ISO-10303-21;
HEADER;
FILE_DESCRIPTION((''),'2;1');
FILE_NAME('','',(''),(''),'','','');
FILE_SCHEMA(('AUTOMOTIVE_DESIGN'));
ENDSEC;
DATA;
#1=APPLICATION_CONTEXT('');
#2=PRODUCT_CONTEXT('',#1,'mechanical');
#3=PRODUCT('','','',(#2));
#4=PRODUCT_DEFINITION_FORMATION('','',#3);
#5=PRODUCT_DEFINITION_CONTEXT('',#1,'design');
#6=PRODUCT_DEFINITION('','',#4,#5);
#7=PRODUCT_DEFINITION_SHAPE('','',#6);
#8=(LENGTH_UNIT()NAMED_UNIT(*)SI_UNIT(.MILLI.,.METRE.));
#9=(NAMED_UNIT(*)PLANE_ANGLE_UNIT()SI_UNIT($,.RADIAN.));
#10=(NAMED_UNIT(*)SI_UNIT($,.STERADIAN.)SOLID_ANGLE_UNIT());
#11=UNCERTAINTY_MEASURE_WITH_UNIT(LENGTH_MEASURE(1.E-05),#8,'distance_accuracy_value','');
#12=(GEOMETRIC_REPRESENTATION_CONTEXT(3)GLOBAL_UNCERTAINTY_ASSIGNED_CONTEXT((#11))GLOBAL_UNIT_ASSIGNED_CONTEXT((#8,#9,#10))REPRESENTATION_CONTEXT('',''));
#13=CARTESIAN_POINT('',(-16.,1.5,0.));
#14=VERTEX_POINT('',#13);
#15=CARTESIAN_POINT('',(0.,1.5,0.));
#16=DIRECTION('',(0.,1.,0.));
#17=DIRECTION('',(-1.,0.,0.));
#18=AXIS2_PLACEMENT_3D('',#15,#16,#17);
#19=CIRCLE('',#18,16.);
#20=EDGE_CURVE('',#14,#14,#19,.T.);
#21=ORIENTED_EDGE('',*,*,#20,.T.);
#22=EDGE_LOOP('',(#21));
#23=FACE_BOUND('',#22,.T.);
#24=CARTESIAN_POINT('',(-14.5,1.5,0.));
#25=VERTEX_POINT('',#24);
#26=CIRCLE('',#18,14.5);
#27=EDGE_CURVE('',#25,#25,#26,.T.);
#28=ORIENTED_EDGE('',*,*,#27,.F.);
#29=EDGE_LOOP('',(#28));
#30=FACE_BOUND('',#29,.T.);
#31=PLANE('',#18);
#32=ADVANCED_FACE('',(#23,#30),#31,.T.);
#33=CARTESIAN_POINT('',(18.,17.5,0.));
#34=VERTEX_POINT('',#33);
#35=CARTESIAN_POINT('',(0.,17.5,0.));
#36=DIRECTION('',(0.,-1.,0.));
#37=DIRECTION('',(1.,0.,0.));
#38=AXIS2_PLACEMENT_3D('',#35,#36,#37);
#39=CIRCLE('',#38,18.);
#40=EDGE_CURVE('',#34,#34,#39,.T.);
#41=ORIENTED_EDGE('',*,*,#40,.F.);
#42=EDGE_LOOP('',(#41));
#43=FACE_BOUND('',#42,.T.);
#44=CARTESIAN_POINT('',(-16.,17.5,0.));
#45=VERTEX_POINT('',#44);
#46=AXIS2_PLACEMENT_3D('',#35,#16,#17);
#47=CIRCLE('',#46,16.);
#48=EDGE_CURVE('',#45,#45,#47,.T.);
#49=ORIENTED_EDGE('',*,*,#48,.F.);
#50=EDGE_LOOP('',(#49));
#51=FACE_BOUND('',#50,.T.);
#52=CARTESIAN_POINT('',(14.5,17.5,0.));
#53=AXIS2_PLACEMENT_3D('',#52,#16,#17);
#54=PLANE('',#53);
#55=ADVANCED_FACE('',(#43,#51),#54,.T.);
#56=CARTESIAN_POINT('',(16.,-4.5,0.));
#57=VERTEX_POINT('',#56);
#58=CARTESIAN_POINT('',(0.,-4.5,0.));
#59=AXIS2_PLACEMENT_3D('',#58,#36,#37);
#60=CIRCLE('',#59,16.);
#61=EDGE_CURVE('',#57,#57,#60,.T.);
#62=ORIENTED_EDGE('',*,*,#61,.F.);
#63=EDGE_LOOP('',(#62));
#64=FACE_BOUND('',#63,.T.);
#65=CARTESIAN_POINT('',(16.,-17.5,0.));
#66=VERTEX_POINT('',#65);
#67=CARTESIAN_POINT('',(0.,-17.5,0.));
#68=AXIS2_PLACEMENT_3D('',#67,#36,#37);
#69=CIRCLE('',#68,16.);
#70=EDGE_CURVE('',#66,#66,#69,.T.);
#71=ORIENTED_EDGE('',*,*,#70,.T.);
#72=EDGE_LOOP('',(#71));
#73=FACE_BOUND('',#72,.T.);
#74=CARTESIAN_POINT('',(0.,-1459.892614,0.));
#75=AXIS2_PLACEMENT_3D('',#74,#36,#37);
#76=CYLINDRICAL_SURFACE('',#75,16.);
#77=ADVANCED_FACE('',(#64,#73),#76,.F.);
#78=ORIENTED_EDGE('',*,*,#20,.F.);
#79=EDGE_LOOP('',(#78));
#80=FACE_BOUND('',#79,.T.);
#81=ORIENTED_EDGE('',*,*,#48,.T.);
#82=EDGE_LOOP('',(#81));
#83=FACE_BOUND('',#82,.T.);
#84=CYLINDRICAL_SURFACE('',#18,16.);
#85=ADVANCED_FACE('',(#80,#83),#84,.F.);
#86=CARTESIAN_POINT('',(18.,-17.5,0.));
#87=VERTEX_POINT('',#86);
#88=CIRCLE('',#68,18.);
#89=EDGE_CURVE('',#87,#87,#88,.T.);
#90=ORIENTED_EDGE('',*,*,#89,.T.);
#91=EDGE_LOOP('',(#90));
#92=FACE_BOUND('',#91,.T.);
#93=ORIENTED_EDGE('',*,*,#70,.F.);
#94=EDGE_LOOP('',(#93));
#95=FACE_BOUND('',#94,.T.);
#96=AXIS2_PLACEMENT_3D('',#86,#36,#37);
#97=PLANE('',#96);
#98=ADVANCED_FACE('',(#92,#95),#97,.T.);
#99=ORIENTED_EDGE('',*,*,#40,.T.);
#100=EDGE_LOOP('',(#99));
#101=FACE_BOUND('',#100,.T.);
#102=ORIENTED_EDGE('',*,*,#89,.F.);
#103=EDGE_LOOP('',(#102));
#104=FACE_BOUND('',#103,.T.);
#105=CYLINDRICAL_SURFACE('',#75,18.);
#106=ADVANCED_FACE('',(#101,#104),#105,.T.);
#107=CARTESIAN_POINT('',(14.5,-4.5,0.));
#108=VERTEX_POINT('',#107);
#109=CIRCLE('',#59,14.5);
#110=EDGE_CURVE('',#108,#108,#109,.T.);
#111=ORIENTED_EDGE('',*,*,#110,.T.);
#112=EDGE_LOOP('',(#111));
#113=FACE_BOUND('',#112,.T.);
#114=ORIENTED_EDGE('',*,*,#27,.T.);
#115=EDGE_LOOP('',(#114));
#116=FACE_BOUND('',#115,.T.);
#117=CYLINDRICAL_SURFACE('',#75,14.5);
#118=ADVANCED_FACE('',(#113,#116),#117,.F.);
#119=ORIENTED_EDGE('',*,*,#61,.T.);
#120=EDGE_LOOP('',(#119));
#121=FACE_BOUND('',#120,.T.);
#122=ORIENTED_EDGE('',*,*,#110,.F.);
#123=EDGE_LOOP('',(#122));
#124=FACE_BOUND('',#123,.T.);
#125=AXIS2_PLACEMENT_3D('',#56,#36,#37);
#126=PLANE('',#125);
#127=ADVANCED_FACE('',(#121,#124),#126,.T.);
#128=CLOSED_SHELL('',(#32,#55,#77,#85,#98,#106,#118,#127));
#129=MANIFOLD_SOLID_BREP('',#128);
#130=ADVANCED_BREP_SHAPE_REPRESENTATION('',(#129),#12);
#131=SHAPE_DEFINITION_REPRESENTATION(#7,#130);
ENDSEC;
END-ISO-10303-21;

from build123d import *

# Parameters (mm, degrees)
SKETCH2_R          = 16
CUT_EXTRUDE1_DEPTH = 16


with BuildPart() as part:
    # Sketch1 → Revolve1 (revolve)
    with BuildSketch(Plane.XY):
        Polygon((16, -17.5), (16, -4.5), (14.5, -4.5), (14.5, 17.5), (18, 17.5), (18, -17.5), align=None)
    revolve(axis=Axis((0, -1459.892614339, 0), (0, 1, 0)))

    # Sketch2 → Cut-Extrude1 (cut)
    with BuildSketch(Plane(origin=(0, 17.5, 0), x_dir=(1, 0, 0), z_dir=(0, 1, 0))):
        Circle(SKETCH2_R)
    extrude(amount=-CUT_EXTRUDE1_DEPTH, mode=Mode.SUBTRACT)


solid = part.part
